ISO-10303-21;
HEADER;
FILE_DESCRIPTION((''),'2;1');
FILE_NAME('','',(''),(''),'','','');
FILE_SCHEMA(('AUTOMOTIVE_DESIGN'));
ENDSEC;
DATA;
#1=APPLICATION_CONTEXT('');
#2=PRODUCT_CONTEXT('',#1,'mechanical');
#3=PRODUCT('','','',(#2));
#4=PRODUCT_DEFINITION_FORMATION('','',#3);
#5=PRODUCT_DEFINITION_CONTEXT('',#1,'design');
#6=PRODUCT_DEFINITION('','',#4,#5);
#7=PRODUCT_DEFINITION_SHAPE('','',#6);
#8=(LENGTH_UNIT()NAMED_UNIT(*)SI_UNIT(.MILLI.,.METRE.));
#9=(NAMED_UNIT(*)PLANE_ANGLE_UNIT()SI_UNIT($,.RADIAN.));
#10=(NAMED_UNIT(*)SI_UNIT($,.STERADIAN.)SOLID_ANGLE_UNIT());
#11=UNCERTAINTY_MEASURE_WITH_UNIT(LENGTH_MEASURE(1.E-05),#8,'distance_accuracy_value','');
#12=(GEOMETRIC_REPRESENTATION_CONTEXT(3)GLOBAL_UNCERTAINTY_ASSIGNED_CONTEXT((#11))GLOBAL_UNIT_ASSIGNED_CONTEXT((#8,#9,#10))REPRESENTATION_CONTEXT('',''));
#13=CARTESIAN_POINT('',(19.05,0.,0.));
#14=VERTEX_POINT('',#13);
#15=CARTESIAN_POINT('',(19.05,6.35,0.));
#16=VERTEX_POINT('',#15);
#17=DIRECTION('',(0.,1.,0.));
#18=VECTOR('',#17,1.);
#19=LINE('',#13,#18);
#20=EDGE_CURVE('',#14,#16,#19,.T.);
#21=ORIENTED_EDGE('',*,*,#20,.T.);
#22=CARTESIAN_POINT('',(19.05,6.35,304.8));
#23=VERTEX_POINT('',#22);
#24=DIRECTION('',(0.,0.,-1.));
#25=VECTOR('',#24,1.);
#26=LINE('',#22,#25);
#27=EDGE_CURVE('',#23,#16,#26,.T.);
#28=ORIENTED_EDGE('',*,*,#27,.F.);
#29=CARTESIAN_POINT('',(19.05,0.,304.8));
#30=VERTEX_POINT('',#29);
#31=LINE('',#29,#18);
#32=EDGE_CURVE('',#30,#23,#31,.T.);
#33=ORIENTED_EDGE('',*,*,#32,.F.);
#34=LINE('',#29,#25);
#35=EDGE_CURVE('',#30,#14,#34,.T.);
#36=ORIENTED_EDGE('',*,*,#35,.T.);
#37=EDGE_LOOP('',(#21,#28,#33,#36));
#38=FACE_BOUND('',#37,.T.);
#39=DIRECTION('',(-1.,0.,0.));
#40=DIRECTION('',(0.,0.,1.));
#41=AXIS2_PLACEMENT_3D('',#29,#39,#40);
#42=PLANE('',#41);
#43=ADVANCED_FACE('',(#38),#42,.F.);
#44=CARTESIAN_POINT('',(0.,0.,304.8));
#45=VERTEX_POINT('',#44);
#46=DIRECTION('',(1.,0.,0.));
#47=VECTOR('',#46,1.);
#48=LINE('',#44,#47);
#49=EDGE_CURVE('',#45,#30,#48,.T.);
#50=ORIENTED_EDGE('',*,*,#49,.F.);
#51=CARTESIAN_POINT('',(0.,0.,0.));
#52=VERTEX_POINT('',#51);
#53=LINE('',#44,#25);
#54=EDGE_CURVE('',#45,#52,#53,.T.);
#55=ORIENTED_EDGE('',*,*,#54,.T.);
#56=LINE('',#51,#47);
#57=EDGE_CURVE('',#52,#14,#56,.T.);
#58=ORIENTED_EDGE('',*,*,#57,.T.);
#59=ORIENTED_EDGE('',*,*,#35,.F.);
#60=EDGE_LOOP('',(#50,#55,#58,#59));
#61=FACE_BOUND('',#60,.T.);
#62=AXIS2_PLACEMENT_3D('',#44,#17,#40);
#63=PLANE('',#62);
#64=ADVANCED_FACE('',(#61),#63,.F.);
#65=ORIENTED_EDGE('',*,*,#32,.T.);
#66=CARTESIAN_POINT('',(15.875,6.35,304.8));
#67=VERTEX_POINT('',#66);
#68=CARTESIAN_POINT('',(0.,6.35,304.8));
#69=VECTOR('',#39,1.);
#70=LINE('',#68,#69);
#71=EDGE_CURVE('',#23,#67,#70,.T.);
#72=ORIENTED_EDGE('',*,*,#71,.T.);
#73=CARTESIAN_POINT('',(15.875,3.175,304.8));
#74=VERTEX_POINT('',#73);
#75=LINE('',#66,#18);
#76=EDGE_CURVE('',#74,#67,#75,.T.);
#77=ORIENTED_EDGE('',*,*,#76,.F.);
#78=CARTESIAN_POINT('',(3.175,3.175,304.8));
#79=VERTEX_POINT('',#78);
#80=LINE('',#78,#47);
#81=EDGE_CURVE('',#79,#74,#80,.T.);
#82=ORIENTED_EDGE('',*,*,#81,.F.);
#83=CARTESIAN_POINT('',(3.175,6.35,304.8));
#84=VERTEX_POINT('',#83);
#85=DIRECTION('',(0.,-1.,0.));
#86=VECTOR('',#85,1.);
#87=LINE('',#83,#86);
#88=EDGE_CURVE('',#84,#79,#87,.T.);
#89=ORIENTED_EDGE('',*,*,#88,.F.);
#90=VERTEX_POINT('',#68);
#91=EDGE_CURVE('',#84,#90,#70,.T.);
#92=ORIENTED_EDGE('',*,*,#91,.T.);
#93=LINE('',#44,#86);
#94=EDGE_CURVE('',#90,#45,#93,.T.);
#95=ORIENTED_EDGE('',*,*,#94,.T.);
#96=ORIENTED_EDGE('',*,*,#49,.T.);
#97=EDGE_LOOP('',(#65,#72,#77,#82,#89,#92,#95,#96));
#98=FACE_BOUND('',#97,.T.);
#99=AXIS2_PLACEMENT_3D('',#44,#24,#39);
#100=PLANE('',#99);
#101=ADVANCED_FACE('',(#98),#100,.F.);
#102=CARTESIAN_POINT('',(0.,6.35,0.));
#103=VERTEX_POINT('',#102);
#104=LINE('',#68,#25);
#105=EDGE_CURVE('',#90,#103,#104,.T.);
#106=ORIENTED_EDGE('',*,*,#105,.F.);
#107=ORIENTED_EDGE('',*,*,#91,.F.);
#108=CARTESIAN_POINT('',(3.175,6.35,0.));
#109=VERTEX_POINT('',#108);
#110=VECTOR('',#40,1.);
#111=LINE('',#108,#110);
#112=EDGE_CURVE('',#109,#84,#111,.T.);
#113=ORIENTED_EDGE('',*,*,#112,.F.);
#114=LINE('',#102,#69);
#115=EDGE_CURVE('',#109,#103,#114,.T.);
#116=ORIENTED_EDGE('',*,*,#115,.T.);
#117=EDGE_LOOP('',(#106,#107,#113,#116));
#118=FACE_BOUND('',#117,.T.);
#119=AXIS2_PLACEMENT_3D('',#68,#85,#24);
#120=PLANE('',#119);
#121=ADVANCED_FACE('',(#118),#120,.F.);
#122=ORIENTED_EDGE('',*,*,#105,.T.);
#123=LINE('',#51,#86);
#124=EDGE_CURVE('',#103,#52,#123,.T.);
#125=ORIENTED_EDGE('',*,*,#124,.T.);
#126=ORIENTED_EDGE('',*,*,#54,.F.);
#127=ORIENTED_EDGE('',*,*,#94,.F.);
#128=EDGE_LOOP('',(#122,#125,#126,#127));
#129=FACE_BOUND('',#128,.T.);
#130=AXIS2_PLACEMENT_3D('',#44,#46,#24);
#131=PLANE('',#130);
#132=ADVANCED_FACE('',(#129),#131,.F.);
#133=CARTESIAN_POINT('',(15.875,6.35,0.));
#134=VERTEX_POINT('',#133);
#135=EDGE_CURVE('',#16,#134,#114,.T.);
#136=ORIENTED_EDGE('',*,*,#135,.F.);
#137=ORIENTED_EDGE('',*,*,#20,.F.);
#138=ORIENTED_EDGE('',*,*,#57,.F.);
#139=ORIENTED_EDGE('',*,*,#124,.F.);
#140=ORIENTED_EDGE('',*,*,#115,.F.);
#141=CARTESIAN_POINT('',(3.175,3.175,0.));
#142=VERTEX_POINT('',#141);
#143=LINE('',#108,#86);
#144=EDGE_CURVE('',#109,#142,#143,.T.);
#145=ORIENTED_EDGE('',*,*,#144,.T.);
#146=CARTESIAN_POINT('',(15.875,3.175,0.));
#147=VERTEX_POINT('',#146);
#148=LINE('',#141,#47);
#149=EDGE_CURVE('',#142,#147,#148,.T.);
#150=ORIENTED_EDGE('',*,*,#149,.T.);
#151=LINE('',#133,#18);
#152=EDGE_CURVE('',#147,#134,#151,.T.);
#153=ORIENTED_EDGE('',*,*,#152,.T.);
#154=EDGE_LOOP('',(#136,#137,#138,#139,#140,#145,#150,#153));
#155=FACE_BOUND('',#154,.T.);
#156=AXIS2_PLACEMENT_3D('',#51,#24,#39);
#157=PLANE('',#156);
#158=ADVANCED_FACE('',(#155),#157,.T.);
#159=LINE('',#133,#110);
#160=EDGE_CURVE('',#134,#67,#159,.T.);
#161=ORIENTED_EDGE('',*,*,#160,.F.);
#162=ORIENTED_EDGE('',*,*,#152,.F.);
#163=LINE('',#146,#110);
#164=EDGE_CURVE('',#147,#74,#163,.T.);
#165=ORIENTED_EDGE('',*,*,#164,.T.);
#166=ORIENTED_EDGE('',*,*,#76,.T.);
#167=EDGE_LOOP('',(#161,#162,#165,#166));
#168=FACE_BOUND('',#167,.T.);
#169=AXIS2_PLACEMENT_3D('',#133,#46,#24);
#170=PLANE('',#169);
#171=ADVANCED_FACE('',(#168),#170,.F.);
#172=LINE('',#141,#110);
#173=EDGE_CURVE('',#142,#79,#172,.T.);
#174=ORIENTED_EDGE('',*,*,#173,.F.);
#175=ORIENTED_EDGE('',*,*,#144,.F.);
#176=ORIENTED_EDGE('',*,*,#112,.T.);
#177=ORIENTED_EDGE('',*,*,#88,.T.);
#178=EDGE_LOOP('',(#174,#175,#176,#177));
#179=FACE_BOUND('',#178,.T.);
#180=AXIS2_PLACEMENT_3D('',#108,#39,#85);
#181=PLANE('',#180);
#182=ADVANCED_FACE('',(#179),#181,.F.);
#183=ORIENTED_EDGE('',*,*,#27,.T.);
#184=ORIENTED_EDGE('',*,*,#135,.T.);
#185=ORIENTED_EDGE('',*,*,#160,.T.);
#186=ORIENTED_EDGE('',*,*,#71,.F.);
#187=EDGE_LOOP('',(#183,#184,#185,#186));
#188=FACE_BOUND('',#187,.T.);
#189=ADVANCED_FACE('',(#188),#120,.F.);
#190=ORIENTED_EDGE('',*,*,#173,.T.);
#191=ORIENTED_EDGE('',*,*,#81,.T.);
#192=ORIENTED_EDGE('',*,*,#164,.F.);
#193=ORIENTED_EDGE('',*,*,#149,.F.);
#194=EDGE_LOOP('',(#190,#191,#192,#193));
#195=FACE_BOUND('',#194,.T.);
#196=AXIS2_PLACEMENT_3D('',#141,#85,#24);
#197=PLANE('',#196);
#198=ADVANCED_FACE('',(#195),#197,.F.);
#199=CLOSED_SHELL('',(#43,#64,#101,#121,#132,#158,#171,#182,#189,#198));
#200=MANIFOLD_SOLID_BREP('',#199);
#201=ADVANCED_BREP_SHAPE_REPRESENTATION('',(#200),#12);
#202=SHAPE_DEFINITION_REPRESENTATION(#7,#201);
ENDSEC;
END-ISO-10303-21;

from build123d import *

# Parameters (mm, degrees)
SKETCH1_W           = 19.05
SKETCH1_H           = 6.35
BOSS_EXTRUDE1_DEPTH = 304.8
SKETCH2_W           = 12.7
SKETCH2_H           = 3.175
CUT_EXTRUDE1_DEPTH  = 304.8


with BuildPart() as part:
    # Sketch1 → Boss-Extrude1 (new body)
    with BuildSketch(Plane.XY):
        with Locations((9.525, 3.175)):
            Rectangle(SKETCH1_W, SKETCH1_H)
    extrude(amount=BOSS_EXTRUDE1_DEPTH)

    # Sketch2 → Cut-Extrude1 (cut)
    with BuildSketch(Plane.XY.offset(304.8)):
        with Locations((9.525, 4.7625)):
            Rectangle(SKETCH2_W, SKETCH2_H)
    extrude(amount=-CUT_EXTRUDE1_DEPTH, mode=Mode.SUBTRACT)


solid = part.part
